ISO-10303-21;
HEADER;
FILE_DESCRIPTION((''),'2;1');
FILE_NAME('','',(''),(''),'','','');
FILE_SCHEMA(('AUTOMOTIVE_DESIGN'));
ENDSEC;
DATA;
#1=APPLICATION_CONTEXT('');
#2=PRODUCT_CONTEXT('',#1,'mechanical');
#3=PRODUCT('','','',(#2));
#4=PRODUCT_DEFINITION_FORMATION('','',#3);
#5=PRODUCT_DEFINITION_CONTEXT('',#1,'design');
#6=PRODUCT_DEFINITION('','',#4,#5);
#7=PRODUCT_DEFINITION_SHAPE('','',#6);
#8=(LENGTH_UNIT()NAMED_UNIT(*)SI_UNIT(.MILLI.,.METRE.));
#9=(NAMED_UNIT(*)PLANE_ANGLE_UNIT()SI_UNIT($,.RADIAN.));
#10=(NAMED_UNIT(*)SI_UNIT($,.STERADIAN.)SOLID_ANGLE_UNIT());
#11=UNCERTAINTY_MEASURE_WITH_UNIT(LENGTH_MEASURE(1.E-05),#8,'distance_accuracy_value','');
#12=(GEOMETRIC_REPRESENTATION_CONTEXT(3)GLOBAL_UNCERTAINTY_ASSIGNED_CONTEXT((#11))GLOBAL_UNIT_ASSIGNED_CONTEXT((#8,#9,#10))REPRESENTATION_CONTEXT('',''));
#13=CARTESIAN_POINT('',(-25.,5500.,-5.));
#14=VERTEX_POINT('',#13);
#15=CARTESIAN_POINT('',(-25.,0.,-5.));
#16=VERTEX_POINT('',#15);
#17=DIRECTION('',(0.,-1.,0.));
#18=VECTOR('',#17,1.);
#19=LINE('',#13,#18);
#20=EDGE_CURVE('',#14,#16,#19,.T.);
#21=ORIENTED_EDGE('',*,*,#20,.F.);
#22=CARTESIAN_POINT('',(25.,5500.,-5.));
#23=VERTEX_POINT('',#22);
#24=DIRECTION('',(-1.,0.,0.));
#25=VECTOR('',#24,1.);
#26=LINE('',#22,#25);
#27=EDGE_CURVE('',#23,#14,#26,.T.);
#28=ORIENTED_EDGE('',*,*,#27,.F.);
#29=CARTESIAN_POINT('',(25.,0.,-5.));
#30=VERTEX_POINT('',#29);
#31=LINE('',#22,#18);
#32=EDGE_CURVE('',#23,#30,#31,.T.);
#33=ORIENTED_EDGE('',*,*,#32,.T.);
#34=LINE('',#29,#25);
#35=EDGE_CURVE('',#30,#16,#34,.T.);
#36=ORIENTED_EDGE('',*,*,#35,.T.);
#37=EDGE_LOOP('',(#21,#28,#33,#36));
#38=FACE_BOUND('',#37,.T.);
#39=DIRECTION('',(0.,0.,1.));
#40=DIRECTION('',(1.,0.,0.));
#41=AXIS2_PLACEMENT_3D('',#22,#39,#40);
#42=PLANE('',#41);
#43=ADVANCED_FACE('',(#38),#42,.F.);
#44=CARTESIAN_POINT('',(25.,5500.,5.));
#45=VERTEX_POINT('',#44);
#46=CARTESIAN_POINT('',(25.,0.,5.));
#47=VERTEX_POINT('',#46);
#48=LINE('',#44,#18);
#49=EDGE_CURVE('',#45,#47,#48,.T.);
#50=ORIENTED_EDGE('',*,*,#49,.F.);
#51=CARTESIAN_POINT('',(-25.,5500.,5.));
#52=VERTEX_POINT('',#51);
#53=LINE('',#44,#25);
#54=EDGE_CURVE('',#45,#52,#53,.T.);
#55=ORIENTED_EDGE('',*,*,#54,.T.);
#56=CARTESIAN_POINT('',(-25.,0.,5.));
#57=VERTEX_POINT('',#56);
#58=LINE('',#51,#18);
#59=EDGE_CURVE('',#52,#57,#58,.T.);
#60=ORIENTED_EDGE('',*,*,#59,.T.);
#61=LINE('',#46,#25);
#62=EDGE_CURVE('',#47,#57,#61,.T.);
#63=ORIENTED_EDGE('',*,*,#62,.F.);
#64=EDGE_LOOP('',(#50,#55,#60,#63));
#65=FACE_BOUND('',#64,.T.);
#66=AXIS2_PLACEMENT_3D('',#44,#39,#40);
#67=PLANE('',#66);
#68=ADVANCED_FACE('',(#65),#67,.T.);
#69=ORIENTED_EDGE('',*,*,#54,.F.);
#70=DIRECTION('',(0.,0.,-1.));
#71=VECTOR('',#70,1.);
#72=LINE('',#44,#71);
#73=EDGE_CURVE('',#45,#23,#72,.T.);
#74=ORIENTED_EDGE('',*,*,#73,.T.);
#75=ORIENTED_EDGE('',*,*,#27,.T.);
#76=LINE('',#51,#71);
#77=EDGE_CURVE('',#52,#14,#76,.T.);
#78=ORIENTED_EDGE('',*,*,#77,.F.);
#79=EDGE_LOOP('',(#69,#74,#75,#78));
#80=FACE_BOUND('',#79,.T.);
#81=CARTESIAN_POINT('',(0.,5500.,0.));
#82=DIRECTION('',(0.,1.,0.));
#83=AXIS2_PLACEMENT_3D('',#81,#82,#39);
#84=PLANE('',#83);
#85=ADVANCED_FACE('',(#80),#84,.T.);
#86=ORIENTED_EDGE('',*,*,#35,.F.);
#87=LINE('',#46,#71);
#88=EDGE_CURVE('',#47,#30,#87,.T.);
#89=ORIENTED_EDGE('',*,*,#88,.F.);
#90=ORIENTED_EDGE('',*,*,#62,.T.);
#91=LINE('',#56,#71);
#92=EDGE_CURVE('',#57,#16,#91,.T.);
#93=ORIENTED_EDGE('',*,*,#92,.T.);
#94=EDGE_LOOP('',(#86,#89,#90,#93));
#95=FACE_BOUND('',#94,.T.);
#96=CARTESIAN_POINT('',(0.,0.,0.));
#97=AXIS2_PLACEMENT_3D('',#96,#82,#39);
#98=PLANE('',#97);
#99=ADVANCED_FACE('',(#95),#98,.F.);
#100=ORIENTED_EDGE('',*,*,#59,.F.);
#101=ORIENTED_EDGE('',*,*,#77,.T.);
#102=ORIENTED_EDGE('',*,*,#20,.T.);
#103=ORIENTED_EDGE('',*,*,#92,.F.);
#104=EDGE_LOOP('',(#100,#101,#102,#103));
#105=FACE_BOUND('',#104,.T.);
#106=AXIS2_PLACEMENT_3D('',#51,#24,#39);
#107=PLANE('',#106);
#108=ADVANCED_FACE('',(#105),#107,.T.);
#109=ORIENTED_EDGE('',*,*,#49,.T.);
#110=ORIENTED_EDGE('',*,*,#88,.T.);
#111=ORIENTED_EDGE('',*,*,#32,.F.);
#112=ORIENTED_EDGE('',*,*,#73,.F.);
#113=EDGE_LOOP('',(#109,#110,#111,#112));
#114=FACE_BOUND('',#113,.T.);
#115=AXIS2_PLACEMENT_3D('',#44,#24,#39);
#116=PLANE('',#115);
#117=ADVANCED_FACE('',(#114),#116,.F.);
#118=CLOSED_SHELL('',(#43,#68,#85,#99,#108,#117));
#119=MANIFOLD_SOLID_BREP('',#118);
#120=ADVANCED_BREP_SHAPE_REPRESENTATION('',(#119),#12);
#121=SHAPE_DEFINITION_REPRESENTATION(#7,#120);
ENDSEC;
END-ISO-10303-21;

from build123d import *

# Parameters (mm, degrees)
SKETCH_1_W      = 50
SKETCH_1_H      = 10
EXTRUDE_1_DEPTH = 5500


with BuildPart() as part:
    # Эскиз1 → Бобышка-Вытянуть1 (new body)
    with BuildSketch(Plane(origin=(0, 0, 0), x_dir=(1, 0, 0), z_dir=(0, 1, 0))):
        Rectangle(SKETCH_1_W, SKETCH_1_H)
    extrude(amount=EXTRUDE_1_DEPTH)


solid = part.part
